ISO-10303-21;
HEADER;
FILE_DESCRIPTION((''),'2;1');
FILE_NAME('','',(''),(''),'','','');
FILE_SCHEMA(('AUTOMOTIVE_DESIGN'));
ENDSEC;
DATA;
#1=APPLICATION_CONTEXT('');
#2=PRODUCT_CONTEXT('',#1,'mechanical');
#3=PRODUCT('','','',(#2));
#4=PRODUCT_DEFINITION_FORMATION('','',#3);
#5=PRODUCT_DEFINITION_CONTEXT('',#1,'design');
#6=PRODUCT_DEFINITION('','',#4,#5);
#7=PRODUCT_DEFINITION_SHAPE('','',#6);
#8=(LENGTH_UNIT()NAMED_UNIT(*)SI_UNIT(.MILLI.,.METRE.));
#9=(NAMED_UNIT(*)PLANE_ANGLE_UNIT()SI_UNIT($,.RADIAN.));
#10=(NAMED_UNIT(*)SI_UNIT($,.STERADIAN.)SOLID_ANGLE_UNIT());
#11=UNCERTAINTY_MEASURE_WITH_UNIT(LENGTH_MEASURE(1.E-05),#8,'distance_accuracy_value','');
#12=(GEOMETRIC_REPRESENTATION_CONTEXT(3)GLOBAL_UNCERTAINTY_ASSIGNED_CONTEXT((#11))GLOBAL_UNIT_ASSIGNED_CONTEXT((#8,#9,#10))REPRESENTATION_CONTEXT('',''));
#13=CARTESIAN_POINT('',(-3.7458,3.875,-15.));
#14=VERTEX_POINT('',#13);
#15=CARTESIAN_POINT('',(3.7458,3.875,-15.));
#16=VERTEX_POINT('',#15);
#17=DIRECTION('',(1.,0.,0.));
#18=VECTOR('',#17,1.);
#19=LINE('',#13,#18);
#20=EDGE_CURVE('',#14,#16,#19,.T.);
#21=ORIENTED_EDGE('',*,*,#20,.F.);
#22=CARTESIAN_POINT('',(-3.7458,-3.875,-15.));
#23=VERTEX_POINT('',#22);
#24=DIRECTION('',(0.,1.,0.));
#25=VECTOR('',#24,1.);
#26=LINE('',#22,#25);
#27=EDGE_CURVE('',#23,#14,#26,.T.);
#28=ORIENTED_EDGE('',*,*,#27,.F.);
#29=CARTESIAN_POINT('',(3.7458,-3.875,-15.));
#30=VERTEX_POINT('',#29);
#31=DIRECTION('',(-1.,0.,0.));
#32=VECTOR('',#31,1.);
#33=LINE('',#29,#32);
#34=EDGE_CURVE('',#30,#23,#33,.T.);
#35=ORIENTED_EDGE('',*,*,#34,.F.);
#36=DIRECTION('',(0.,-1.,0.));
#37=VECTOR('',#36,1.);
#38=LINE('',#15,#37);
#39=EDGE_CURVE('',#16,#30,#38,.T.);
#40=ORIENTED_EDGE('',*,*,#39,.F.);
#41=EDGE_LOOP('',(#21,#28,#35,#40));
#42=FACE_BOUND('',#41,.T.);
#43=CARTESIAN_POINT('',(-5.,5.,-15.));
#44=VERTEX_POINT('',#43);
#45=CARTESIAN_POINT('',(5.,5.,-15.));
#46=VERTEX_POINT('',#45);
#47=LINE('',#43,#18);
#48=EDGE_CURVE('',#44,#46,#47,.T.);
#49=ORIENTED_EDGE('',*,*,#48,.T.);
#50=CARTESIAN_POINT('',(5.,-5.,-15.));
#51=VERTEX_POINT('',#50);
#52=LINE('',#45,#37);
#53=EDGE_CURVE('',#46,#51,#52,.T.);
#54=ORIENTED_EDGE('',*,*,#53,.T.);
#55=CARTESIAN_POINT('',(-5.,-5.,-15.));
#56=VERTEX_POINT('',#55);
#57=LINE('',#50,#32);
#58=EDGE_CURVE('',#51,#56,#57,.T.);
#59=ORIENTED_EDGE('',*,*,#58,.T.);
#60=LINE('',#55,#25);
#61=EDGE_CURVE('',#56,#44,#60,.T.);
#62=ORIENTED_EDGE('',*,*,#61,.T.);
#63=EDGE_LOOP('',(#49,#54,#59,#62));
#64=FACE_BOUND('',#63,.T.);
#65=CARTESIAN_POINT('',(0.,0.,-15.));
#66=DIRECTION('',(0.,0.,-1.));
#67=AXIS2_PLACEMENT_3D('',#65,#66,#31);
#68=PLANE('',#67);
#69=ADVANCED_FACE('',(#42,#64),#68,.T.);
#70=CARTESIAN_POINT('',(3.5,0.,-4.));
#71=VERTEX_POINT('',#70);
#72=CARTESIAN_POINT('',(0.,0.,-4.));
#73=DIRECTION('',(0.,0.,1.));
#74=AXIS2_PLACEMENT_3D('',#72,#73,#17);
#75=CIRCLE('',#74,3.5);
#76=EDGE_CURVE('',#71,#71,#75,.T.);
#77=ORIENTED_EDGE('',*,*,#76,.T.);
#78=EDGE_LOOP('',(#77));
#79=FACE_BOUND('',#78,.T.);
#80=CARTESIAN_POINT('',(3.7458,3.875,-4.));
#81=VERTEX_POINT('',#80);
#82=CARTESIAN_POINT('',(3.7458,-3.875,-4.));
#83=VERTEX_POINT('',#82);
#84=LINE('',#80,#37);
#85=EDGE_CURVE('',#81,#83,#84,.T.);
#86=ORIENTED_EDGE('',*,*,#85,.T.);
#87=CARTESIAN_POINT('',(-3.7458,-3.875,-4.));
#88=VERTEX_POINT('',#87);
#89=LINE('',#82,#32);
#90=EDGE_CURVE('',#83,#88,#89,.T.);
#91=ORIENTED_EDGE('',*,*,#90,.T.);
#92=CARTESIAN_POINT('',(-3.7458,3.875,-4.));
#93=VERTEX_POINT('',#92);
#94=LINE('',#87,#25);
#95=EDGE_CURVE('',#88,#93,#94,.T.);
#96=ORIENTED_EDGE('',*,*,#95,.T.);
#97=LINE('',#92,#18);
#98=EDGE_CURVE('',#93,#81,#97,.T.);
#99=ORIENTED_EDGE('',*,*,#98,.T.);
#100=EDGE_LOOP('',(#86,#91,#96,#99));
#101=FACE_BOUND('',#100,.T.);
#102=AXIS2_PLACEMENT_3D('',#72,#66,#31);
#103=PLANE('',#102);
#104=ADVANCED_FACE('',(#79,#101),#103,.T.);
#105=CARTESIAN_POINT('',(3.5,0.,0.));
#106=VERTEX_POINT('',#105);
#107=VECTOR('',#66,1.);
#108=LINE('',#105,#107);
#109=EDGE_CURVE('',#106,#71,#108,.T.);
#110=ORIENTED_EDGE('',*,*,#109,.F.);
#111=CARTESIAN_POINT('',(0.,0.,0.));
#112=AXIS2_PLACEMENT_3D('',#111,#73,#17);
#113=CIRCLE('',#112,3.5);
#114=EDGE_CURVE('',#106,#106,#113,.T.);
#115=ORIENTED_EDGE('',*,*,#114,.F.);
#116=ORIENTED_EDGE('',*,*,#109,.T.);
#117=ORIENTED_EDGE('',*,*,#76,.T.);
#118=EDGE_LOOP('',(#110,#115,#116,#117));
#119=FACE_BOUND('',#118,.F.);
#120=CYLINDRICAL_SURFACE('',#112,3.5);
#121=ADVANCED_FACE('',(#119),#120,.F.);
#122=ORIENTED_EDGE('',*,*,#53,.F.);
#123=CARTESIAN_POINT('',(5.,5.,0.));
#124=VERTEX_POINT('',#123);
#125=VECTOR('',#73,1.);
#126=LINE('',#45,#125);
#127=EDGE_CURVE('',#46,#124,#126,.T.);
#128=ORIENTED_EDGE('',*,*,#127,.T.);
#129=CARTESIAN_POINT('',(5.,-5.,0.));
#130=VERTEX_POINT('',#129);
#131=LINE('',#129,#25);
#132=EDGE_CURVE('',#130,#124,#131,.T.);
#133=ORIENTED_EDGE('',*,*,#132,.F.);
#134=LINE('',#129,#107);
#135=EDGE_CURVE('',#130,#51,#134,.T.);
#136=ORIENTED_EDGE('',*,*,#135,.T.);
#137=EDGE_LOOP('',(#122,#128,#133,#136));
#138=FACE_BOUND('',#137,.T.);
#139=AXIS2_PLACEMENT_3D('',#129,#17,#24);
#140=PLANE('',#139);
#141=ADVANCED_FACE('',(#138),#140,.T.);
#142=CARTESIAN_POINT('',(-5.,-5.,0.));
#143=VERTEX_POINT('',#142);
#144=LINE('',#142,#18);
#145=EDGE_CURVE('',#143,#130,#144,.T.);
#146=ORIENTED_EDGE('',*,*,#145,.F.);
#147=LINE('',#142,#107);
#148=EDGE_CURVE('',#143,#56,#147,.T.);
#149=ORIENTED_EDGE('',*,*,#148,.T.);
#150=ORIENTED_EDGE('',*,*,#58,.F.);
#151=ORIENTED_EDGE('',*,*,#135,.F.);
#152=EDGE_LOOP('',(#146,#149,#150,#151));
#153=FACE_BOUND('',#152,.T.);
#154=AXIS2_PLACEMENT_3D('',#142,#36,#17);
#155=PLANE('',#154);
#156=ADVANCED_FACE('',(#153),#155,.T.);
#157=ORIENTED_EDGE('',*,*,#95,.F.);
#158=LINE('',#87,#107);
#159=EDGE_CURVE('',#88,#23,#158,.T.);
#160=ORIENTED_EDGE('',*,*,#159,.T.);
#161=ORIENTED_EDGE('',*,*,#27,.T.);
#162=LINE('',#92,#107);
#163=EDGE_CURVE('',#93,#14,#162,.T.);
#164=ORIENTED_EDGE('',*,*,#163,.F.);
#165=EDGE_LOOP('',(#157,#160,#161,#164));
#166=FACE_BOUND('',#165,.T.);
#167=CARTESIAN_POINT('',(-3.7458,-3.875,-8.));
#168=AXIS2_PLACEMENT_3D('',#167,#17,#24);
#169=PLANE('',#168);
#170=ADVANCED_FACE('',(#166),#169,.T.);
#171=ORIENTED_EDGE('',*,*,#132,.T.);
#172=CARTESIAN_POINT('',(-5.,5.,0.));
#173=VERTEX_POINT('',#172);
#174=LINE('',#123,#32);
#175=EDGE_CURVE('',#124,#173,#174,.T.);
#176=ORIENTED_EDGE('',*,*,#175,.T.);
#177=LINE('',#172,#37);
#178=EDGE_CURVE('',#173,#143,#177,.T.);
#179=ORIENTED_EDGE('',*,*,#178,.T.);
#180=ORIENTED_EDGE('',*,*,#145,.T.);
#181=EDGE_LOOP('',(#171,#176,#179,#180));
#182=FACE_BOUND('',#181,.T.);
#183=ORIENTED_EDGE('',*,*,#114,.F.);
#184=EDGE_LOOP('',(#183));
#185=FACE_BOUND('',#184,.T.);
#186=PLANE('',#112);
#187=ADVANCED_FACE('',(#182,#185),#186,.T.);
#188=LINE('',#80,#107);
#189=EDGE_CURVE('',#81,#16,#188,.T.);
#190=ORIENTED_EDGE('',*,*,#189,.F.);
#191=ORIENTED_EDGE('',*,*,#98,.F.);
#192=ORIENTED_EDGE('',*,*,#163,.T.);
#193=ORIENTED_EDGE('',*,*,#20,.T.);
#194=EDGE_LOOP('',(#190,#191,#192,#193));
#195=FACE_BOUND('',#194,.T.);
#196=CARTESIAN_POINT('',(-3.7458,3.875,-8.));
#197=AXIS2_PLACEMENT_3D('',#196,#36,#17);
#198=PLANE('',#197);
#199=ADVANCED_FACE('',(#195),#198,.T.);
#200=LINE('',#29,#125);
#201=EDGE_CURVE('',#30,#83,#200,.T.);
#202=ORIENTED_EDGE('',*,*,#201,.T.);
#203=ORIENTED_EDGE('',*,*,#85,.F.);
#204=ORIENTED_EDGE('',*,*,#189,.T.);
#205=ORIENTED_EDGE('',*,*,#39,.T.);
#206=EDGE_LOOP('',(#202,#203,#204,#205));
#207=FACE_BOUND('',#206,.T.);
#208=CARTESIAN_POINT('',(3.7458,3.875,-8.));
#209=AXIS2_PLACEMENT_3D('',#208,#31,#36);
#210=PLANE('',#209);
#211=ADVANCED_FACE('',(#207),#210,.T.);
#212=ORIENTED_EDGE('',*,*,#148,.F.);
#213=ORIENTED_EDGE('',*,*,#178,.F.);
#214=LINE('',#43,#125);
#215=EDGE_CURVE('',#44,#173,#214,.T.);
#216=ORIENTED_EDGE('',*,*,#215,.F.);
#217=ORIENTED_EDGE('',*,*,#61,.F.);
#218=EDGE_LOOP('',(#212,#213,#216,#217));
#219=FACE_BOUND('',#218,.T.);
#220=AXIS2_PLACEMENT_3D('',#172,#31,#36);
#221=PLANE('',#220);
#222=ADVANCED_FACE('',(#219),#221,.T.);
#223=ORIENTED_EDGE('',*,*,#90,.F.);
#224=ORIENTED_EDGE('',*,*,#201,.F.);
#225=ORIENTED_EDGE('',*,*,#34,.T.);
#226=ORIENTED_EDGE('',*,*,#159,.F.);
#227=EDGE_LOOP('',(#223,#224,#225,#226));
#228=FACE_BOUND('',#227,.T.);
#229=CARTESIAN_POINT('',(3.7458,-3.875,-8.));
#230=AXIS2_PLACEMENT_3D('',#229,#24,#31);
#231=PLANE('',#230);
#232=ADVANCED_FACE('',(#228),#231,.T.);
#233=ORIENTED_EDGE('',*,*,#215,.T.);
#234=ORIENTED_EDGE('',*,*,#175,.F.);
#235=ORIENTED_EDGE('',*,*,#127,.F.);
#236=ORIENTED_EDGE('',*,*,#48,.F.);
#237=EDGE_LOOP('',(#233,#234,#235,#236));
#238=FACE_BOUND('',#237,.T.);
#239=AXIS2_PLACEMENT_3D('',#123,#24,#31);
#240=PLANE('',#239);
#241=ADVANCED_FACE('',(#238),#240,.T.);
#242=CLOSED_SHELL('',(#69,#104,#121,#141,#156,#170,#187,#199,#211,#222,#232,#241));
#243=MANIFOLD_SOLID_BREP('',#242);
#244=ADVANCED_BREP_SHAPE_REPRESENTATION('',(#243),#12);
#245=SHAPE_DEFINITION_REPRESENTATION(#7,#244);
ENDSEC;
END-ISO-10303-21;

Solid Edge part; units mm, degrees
sketch "Sketch1" plane through (0, 0, 0) normal (0, 0, 1) x (1, 0, 0)
  line L0 (5, -5) -> (5, 5)
  line L1 (5, 5) -> (-5, 5)
  line L2 (-5, 5) -> (-5, -5)
  line L3 (-5, -5) -> (5, -5)
extrude "Protrusion1" add sketch "Sketch1" against normal blind 8
sketch "Sketch2" plane through (0, 0, 0) normal (0, 0, 1) x (1, 0, 0)
  circle A0 centre (0, 0) radius 3.5
extrude "ExtrudedCutout_1" cut sketch "Sketch2" along normal mid plane 71.7561
sketch "Sketch3" plane through (0, 0, -8) normal (0, 0, -1) x (1, 0, 0)
  line L0 (5, 5) -> (-5, 5)
  line L1 (-5, 5) -> (-5, -5)
  line L2 (-5, -5) -> (5, -5)
  line L3 (5, -5) -> (5, 5)
  line L4 (-3.7458, 3.875) -> (-3.7458, -3.875)
  line L5 (-3.7458, -3.875) -> (3.7458, -3.875)
  line L6 (3.7458, -3.875) -> (3.7458, 3.875)
  line L7 (3.7458, 3.875) -> (-3.7458, 3.875)
extrude "ExtrudedProtrusion_4" add sketch "Sketch3" along normal blind 7
sketch "Sketch4" plane through (0, 0, -8) normal (0, 0, -1) x (1, 0, 0)
  line L0 (3.7458, 3.875) -> (-3.7458, 3.875)
  line L1 (-3.7458, 3.875) -> (-3.7458, -3.875)
  line L2 (-3.7458, -3.875) -> (3.7458, -3.875)
  line L3 (3.7458, -3.875) -> (3.7458, 3.875)
extrude "Cutout1" cut sketch "Sketch4" along normal mid plane 8
